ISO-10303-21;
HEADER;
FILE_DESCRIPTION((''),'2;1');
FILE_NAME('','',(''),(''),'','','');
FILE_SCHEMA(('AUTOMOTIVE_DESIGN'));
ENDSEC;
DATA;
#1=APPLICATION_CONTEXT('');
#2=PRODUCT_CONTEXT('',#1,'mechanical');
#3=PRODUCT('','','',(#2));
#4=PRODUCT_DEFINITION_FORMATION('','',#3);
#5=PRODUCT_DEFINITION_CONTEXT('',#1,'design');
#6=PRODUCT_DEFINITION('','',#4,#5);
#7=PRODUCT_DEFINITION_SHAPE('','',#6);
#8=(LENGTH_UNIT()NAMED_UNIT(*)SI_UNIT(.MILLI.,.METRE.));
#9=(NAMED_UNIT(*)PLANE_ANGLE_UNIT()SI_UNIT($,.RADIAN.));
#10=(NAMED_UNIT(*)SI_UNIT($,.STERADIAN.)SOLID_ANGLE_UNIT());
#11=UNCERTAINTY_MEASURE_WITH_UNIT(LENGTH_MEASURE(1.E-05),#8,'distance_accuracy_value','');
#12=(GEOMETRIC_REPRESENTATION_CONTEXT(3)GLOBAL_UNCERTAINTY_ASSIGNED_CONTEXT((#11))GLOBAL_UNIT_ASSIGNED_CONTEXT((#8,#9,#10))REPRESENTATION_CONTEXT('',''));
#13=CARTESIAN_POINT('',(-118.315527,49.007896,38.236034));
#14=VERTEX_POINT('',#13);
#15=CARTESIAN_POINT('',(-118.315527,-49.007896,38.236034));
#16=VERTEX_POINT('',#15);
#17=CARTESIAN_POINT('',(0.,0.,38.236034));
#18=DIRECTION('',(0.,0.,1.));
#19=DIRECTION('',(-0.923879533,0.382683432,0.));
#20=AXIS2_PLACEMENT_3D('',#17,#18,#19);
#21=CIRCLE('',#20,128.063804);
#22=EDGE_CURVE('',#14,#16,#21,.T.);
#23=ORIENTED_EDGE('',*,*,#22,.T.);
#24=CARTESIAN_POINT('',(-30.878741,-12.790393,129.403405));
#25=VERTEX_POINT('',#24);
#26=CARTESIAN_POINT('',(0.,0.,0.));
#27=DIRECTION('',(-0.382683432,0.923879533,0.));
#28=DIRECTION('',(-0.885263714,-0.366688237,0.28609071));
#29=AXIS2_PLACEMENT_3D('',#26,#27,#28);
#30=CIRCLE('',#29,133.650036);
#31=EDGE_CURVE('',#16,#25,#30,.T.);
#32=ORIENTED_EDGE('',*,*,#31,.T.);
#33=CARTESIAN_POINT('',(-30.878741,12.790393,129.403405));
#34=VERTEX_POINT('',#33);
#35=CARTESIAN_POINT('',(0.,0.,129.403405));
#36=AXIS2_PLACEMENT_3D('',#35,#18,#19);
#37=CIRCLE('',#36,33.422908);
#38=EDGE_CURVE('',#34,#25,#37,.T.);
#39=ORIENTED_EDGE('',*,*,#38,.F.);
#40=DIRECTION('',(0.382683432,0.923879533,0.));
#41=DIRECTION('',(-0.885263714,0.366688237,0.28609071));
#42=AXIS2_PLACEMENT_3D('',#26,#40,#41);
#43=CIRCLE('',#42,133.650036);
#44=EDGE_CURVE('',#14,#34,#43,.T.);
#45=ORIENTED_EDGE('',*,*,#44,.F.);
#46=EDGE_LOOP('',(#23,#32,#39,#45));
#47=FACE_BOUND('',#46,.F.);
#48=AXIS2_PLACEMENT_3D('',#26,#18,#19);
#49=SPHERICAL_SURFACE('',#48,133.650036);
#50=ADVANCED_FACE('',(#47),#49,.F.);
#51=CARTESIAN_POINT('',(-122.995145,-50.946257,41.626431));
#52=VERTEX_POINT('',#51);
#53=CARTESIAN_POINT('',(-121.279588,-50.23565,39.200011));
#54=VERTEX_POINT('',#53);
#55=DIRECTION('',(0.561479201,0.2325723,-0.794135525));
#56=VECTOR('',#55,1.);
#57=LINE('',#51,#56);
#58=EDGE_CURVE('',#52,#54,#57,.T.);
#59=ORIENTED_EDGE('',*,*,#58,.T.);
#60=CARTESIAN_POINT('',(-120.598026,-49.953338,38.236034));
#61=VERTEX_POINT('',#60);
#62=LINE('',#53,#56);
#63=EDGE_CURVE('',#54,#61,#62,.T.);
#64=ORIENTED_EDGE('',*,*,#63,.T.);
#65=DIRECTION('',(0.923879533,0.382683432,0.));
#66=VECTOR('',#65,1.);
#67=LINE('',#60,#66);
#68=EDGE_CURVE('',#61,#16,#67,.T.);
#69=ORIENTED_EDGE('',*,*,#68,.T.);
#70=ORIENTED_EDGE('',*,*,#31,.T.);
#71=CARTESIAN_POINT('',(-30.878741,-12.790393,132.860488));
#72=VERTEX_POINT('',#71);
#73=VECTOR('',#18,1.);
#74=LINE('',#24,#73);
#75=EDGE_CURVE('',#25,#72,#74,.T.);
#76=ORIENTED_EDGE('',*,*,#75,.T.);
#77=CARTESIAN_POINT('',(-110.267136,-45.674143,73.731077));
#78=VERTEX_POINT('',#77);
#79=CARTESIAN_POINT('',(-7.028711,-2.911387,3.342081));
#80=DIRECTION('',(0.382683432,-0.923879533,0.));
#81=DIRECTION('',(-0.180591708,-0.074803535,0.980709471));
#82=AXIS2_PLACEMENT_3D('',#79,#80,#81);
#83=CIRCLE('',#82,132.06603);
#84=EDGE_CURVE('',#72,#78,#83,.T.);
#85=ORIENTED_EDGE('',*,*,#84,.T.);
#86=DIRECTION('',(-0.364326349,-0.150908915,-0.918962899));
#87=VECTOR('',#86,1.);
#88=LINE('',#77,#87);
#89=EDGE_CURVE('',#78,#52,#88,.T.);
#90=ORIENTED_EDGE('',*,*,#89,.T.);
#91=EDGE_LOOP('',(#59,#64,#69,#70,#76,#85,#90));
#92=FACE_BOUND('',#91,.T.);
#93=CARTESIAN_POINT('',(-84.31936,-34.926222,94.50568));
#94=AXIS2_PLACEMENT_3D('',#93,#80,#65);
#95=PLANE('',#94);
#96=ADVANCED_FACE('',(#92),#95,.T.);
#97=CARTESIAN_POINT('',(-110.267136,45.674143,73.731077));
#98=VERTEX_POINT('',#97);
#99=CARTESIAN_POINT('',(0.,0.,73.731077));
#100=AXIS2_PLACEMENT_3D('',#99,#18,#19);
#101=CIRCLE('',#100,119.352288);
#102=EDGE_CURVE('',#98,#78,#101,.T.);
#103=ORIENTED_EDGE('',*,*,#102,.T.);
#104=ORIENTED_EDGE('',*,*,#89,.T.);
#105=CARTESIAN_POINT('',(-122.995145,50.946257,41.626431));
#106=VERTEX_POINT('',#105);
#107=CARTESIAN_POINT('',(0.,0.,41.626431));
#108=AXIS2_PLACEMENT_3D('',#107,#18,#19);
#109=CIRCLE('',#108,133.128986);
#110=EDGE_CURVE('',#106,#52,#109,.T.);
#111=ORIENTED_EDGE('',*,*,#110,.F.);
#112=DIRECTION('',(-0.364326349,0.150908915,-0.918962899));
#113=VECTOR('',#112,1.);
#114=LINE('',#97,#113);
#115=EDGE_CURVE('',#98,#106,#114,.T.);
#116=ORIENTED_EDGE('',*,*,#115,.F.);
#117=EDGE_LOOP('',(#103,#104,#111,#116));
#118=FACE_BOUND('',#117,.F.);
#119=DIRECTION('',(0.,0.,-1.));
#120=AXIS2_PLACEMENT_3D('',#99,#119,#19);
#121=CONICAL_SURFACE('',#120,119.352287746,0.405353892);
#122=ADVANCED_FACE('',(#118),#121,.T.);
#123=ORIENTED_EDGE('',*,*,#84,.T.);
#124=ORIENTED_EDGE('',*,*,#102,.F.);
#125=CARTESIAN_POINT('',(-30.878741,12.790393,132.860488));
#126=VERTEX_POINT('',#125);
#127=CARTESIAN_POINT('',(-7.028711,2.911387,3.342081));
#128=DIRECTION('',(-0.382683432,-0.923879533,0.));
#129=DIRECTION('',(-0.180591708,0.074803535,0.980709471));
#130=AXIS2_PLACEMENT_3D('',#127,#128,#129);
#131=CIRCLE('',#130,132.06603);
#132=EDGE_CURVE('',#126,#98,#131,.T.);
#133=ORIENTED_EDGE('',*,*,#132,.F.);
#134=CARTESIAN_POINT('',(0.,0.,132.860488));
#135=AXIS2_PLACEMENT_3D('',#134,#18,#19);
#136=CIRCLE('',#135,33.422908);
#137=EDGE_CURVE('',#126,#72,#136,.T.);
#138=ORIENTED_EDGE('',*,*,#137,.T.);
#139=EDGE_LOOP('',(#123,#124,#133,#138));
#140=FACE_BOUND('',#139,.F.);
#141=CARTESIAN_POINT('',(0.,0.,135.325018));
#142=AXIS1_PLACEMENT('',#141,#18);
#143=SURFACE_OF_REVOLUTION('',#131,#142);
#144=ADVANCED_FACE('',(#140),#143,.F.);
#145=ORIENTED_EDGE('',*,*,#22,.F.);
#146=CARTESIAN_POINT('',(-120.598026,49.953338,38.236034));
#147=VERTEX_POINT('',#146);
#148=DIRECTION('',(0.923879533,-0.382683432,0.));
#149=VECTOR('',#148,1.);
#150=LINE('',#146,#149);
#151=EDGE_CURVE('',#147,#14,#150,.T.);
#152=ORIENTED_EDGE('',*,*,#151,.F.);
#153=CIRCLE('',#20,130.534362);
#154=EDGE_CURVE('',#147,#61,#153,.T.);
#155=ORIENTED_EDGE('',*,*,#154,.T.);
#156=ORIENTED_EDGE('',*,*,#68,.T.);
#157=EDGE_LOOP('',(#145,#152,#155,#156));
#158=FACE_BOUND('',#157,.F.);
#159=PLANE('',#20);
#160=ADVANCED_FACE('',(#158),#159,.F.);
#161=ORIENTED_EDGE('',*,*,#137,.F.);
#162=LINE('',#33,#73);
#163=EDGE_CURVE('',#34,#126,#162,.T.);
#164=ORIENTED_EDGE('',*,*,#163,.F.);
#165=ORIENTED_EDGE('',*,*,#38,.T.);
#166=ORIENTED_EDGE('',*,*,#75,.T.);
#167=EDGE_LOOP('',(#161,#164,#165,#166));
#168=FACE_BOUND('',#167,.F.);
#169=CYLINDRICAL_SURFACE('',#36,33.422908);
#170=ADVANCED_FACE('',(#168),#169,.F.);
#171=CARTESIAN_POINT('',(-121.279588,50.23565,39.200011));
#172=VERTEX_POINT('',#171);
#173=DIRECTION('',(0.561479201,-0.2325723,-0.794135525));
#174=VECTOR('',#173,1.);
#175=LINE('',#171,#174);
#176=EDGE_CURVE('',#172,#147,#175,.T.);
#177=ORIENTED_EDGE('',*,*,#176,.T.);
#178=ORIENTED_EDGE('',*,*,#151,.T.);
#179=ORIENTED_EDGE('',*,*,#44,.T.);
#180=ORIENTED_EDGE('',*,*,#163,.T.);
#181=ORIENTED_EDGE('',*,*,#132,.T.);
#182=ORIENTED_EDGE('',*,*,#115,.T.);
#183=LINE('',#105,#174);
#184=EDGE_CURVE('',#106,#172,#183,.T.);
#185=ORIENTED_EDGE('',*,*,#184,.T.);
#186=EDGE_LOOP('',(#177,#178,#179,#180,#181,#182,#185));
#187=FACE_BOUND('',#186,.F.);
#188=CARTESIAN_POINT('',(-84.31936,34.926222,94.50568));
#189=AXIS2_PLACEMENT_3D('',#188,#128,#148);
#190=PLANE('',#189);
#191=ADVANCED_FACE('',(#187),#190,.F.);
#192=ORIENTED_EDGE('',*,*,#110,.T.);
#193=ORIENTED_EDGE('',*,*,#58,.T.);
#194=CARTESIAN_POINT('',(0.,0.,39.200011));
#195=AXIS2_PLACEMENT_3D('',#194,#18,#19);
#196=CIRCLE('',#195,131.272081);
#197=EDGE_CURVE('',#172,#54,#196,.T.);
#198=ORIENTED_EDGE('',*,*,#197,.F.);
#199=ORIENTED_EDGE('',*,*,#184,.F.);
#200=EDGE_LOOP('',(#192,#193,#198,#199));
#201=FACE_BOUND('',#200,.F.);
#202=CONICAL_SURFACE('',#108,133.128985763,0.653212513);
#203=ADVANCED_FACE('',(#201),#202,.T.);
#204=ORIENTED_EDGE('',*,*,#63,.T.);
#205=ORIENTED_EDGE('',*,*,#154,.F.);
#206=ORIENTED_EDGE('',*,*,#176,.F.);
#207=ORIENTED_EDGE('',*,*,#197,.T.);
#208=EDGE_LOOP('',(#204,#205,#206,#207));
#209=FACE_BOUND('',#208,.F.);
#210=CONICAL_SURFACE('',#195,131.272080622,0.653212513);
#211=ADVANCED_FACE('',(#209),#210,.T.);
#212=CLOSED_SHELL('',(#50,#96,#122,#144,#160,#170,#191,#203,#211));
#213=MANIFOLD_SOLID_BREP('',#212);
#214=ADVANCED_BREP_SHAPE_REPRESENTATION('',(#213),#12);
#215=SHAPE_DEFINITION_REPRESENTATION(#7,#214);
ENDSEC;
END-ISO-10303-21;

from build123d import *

# Parameters (mm, degrees)
F1_ANGLE_BACK = 22.5
F1_ANGLE      = 45


with BuildPart() as f1:
    # F0 (on Front) → F1 (revolve)
    with BuildSketch(Plane.XZ, mode=Mode.PRIVATE) as f1_sk:
        with BuildLine():
            Line((-133.1289857626, 41.6264310479), (-131.2720806217, 39.2000108324))
            ThreePointArc((-131.2720806217, 39.2000108324), (-124.3811096325, 57.4311724292), (-114.9728228757, 74.5))
            ThreePointArc((-114.9728228757, 74.5), (-79.7296048626, 111.4100090138), (-33.4229083245, 132.8604877273))
            ThreePointArc((-33.4229083245, 132.8604877273), (-82.4725627134, 112.1387121499), (-119.3522877458, 73.7310767074))
            Line((-119.3522877458, 73.7310767074), (-133.1289857626, 41.6264310479))
        make_face()
        with BuildLine():
            ThreePointArc((-114.9728228757, 74.5), (-124.3811096325, 57.4311724292), (-131.2720806217, 39.2000108324))
            Line((-131.2720806217, 39.2000108324), (-130.5343624516, 38.2360335986))
            Line((-130.5343624516, 38.2360335986), (-114.9728228757, 74.5))
        make_face()
        with BuildLine():
            Line((-114.9728228757, 74.5), (-130.5343624516, 38.2360335986))
            Line((-130.5343624516, 38.2360335986), (-128.0638037607, 38.2360335986))
            ThreePointArc((-128.0638037607, 38.2360335986), (-120.8794533125, 57.013067501), (-110.9598220033, 74.5))
            Line((-110.9598220033, 74.5), (-114.9728228757, 74.5))
        make_face()
        with BuildLine():
            ThreePointArc((-33.4229083245, 132.8604877273), (-79.7296048626, 111.4100090138), (-114.9728228757, 74.5))
            Line((-114.9728228757, 74.5), (-110.9598220033, 74.5))
            ThreePointArc((-110.9598220033, 74.5), (-77.2346371913, 109.0740249415), (-33.4229083245, 129.4034052803))
            Line((-33.4229083245, 129.4034052803), (-33.4229083245, 132.8604877273))
        make_face()
    revolve(f1_sk.sketch.rotate(Axis((0, 0, 135.3250179555), (0, 0, 1)), -F1_ANGLE_BACK), axis=Axis((0, 0, 135.3250179555), (0, 0, 1)), revolution_arc=F1_ANGLE)


solid = f1.part
